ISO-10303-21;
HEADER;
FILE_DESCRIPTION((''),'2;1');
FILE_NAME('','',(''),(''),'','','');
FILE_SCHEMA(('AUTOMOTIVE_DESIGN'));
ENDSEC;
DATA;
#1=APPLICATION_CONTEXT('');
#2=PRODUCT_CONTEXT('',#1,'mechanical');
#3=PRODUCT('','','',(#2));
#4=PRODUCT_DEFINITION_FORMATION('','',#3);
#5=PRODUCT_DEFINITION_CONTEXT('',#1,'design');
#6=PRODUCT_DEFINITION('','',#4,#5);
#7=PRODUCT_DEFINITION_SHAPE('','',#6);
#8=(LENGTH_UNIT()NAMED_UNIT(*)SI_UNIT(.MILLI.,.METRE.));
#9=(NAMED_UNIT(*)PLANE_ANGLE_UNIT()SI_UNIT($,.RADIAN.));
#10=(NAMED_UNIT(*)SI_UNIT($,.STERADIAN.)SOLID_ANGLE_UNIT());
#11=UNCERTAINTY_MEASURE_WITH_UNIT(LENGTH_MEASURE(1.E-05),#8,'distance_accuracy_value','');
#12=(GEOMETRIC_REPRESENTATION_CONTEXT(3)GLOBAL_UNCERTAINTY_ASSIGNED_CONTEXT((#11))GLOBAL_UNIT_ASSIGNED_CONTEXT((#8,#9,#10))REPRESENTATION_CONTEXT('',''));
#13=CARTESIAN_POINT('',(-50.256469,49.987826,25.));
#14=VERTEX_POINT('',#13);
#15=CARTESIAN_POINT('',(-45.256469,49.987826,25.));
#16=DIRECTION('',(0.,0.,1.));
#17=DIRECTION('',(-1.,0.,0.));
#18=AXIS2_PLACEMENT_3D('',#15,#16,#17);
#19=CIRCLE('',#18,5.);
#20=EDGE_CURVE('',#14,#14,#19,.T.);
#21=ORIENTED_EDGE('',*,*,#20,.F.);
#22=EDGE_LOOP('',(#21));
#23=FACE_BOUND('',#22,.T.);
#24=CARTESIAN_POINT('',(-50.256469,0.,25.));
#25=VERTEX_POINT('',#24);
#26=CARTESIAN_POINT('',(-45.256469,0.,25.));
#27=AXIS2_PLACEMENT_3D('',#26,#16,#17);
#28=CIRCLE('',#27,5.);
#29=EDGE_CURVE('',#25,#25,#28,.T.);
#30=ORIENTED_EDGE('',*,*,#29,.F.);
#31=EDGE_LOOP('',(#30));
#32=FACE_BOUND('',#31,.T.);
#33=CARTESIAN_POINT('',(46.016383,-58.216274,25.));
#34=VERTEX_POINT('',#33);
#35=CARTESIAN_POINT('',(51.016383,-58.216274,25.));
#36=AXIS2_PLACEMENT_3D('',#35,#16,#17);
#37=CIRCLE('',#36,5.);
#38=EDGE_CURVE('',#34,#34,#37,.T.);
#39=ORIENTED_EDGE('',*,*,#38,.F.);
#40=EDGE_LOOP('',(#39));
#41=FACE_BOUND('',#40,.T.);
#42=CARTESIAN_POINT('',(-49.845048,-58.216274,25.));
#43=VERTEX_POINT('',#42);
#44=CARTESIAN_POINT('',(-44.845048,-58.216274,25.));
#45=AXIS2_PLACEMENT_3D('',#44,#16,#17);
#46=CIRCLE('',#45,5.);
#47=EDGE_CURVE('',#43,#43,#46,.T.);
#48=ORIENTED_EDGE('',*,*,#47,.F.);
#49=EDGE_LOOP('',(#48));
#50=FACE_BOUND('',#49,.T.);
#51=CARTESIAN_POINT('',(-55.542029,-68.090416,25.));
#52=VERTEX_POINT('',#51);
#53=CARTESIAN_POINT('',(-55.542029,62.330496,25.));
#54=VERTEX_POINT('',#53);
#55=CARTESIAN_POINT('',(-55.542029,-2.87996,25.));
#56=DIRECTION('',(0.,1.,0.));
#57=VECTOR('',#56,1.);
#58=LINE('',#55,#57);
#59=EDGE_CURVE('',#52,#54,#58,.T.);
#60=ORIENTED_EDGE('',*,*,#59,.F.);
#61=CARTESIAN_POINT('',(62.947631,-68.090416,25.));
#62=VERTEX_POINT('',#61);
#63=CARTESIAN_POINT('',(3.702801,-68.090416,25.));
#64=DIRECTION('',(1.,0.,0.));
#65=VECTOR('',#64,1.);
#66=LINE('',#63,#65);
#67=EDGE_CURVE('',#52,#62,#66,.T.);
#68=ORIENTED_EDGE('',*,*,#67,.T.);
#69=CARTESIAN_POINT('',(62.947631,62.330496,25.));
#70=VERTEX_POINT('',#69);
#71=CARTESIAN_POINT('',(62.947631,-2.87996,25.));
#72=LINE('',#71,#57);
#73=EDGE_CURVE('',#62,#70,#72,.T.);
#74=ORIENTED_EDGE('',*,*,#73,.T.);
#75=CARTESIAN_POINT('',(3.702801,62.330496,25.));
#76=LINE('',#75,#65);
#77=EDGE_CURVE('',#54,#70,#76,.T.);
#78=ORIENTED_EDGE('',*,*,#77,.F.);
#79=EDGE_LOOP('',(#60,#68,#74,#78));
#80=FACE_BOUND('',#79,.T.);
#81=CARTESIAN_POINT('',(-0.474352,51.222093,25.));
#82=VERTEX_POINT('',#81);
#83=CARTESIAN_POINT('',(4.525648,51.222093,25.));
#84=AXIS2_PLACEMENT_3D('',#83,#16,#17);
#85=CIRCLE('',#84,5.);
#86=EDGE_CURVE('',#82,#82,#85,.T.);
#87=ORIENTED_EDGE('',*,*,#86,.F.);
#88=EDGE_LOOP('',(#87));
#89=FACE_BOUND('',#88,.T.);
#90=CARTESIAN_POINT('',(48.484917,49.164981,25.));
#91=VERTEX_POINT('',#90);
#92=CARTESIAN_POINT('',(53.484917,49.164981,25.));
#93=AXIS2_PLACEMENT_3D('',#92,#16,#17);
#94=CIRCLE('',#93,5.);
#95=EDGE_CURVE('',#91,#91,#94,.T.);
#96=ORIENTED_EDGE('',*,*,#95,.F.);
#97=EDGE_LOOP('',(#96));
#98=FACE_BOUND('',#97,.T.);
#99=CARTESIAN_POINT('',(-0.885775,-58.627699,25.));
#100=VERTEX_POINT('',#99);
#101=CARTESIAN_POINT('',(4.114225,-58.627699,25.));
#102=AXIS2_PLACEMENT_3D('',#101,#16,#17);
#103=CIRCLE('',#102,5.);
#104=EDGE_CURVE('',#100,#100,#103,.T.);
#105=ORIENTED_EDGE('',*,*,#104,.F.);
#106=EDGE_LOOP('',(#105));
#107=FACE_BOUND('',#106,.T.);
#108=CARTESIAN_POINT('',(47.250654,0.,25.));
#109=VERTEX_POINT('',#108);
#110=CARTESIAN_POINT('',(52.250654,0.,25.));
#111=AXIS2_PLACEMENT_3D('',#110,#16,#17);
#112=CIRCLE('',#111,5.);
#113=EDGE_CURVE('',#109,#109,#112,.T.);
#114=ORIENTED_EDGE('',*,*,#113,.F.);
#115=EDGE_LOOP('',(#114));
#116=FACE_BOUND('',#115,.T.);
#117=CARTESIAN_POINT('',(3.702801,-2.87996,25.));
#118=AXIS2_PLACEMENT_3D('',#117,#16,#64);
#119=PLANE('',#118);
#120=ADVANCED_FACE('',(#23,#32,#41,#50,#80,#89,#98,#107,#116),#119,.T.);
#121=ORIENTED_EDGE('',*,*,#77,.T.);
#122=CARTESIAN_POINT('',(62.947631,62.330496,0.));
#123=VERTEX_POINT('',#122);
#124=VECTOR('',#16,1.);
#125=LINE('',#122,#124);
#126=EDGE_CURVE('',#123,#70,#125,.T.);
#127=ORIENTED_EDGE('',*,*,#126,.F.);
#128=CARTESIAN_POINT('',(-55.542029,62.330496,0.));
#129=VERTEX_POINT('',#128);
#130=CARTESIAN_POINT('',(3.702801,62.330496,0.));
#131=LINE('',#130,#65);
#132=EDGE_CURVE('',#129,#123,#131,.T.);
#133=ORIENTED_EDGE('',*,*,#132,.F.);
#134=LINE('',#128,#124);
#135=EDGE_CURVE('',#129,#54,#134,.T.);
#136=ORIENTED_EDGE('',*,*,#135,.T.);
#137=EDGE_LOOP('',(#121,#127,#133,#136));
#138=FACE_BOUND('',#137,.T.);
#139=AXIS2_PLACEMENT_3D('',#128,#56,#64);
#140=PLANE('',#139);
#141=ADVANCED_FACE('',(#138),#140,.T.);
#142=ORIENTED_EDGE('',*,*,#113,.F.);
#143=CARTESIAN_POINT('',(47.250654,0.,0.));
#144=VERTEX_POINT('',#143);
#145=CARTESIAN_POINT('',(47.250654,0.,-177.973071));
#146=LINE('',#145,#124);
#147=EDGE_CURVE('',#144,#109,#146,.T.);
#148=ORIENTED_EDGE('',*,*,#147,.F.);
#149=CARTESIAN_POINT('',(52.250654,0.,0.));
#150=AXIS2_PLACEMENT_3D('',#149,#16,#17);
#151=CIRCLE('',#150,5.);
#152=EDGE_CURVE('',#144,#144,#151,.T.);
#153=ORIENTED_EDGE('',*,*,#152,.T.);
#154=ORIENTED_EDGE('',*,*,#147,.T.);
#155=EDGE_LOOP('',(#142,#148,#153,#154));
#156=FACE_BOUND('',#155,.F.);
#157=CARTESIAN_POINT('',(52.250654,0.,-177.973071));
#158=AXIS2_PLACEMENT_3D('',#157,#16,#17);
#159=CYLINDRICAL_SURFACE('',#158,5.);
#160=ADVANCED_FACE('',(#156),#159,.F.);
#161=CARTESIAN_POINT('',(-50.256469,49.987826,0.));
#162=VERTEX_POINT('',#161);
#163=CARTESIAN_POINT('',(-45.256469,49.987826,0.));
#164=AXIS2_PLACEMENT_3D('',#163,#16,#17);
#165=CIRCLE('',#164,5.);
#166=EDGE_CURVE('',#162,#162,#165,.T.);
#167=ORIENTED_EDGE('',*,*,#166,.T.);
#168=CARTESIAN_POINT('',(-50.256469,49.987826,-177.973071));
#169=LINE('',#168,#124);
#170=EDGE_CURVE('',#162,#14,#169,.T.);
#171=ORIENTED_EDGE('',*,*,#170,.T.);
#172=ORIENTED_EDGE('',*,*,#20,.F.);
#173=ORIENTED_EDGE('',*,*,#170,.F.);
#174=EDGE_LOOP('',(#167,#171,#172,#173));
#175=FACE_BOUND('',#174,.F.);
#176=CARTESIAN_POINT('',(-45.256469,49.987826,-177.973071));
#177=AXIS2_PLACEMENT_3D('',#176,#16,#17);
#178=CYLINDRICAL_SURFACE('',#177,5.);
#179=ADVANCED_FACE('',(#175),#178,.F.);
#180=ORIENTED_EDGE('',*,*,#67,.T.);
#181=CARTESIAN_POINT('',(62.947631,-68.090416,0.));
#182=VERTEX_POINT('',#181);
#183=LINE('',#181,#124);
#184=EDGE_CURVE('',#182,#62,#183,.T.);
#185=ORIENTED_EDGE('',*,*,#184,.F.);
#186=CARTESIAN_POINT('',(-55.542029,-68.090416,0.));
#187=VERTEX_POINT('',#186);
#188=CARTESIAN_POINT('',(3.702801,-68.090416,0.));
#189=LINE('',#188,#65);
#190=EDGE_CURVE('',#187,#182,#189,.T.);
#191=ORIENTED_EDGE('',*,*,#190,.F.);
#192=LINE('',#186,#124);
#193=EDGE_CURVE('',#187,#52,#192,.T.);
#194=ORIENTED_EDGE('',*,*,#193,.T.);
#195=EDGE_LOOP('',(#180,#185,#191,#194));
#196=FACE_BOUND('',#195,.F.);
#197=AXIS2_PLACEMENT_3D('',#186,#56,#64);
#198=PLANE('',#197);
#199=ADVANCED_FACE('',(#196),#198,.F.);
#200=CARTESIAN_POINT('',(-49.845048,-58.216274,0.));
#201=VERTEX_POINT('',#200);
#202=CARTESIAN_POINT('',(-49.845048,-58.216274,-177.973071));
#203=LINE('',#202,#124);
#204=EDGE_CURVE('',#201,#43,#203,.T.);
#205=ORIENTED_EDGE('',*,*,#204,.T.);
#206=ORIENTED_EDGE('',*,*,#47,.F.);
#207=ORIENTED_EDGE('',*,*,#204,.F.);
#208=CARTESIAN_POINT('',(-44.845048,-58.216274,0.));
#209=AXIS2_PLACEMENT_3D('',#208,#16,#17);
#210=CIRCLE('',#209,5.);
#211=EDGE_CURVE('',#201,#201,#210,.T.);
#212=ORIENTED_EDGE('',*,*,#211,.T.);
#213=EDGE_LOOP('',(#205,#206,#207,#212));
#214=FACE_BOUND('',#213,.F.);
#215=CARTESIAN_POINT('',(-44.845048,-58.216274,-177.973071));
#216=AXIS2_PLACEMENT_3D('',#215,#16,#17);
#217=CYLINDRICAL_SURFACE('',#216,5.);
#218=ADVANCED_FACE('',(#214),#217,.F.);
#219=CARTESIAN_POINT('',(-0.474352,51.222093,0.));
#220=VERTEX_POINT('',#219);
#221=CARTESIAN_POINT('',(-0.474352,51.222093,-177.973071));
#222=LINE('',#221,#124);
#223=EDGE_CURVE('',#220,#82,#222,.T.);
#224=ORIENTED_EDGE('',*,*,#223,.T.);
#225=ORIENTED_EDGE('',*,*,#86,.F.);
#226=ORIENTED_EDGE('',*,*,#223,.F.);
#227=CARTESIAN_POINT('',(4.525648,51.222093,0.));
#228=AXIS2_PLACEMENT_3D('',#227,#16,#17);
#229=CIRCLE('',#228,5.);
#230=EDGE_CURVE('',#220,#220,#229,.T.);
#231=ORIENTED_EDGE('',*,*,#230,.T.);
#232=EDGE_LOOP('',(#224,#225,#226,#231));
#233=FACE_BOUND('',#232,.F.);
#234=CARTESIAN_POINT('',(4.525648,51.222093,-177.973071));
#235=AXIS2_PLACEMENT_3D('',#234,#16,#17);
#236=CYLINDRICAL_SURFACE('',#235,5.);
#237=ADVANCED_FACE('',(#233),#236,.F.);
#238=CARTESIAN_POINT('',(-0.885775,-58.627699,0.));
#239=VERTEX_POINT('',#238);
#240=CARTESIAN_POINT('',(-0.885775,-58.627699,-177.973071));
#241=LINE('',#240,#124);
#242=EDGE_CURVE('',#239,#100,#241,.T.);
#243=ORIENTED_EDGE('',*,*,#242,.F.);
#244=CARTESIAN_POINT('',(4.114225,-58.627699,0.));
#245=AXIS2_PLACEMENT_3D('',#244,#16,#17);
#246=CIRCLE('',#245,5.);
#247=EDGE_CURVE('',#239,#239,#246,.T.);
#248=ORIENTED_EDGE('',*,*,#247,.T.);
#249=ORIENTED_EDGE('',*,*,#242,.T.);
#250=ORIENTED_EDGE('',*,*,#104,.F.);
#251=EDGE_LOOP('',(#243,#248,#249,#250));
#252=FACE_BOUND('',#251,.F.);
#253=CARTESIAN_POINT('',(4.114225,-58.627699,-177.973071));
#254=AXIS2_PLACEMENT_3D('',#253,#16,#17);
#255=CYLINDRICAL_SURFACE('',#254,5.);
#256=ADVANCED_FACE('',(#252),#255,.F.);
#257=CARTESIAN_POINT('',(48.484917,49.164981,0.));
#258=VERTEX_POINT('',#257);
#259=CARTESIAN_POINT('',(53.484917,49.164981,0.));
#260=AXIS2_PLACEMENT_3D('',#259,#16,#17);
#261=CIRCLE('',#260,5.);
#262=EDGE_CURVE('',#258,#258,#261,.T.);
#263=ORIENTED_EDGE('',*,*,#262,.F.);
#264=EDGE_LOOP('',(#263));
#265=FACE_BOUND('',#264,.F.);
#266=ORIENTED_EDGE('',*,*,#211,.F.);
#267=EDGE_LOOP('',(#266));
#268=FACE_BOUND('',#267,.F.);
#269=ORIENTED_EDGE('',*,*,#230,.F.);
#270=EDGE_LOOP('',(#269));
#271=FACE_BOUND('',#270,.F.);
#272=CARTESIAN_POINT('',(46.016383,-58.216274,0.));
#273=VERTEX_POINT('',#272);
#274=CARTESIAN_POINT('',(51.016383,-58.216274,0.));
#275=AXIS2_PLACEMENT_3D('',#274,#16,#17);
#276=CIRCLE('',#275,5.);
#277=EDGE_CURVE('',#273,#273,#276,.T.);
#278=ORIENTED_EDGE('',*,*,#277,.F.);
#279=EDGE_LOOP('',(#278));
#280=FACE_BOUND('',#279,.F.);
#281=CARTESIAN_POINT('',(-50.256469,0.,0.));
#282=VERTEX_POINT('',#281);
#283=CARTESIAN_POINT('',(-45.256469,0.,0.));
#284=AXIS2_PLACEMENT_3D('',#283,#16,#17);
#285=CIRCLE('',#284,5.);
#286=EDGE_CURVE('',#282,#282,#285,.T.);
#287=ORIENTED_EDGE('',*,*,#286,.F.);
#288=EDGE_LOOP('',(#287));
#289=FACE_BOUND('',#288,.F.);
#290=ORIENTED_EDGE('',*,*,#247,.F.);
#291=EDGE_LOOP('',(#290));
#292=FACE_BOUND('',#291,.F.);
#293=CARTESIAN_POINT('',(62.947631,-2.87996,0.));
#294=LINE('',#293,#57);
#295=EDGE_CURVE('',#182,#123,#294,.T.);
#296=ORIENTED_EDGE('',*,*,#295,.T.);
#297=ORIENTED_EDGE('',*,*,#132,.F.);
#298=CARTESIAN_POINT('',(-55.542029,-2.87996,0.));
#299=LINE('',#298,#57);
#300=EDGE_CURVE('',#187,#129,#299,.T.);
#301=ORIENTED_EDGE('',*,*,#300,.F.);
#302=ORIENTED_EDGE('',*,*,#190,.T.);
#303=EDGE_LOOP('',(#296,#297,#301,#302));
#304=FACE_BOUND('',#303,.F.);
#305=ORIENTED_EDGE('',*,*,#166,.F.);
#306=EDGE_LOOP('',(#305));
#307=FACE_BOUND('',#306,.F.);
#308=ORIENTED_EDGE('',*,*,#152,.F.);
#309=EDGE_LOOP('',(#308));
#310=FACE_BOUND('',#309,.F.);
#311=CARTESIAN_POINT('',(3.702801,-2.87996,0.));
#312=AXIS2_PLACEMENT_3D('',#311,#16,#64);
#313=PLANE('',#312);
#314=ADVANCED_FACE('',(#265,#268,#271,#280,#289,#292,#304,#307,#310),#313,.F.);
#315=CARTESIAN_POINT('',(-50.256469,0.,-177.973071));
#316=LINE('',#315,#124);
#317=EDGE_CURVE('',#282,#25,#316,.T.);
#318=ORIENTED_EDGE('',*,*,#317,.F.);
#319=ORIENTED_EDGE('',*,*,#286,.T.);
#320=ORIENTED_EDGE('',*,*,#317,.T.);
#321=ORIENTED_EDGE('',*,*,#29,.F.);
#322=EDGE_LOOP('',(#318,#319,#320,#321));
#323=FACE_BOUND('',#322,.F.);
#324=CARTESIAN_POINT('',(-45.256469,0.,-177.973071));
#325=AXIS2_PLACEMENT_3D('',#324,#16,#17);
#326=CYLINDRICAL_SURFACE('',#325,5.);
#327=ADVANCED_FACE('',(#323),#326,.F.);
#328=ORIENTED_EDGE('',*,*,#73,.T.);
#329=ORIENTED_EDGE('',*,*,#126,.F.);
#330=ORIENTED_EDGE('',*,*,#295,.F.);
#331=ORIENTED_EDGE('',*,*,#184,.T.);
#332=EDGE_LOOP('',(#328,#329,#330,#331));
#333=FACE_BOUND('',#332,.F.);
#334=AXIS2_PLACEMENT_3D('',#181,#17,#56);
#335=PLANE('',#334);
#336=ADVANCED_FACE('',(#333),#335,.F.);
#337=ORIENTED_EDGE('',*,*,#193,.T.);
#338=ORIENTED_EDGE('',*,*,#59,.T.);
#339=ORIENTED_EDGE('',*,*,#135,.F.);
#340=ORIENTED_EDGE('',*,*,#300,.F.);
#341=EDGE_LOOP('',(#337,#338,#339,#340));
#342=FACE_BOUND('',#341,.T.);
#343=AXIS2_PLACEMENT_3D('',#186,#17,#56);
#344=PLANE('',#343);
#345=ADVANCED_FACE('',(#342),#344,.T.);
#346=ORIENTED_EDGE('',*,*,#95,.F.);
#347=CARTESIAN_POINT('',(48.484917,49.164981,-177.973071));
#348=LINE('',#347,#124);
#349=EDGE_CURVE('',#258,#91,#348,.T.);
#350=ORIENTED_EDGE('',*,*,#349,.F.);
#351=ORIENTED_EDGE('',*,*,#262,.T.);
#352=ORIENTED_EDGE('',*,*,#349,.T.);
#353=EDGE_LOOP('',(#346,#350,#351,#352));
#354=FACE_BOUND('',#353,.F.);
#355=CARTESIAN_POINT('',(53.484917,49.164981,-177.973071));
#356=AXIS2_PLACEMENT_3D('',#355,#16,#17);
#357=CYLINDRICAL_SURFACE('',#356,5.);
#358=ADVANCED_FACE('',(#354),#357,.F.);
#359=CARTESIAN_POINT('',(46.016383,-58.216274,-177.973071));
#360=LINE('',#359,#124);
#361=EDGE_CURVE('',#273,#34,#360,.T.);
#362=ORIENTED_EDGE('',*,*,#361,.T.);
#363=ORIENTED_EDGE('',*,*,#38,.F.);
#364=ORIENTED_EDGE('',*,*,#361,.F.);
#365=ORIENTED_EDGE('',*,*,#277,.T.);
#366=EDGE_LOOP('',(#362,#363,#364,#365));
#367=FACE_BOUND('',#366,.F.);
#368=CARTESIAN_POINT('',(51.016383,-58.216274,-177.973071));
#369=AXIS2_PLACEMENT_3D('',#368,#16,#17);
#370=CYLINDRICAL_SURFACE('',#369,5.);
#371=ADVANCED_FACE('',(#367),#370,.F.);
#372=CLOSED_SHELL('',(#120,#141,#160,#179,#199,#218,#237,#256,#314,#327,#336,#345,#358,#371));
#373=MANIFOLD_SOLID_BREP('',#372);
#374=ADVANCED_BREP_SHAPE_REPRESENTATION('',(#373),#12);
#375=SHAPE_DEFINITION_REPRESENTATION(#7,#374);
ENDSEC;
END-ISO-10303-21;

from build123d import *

# Parameters (mm, degrees)
F0_W     = 118.4896603227
F0_H     = 130.4209120572
F1_DEPTH = 25
F2_D     = 10


with BuildPart() as f1:
    # F0 (on Top) → F1 (new body)
    with BuildSketch(Plane.XY):
        with Locations((3.7028007209, -2.8799604625)):
            Rectangle(F0_W, F0_H)
    extrude(amount=F1_DEPTH)

    # F2 (through all)
    with Locations(Plane(origin=(0, 0, 0), x_dir=(1, 0, 0), z_dir=(0, 0, -1))):
        with Locations((-45.2564693987, -49.9878264964), (4.52564843, -51.2220934033), (53.484916687, -49.1649806499), (52.2506535053, 0), (51.0163828731, 58.2162737846), (4.1142245755, 58.6276985705), (-44.8450483382, 58.2162737846), (-45.2564693987, 0)):
            Hole(F2_D / 2)


solid = f1.part
